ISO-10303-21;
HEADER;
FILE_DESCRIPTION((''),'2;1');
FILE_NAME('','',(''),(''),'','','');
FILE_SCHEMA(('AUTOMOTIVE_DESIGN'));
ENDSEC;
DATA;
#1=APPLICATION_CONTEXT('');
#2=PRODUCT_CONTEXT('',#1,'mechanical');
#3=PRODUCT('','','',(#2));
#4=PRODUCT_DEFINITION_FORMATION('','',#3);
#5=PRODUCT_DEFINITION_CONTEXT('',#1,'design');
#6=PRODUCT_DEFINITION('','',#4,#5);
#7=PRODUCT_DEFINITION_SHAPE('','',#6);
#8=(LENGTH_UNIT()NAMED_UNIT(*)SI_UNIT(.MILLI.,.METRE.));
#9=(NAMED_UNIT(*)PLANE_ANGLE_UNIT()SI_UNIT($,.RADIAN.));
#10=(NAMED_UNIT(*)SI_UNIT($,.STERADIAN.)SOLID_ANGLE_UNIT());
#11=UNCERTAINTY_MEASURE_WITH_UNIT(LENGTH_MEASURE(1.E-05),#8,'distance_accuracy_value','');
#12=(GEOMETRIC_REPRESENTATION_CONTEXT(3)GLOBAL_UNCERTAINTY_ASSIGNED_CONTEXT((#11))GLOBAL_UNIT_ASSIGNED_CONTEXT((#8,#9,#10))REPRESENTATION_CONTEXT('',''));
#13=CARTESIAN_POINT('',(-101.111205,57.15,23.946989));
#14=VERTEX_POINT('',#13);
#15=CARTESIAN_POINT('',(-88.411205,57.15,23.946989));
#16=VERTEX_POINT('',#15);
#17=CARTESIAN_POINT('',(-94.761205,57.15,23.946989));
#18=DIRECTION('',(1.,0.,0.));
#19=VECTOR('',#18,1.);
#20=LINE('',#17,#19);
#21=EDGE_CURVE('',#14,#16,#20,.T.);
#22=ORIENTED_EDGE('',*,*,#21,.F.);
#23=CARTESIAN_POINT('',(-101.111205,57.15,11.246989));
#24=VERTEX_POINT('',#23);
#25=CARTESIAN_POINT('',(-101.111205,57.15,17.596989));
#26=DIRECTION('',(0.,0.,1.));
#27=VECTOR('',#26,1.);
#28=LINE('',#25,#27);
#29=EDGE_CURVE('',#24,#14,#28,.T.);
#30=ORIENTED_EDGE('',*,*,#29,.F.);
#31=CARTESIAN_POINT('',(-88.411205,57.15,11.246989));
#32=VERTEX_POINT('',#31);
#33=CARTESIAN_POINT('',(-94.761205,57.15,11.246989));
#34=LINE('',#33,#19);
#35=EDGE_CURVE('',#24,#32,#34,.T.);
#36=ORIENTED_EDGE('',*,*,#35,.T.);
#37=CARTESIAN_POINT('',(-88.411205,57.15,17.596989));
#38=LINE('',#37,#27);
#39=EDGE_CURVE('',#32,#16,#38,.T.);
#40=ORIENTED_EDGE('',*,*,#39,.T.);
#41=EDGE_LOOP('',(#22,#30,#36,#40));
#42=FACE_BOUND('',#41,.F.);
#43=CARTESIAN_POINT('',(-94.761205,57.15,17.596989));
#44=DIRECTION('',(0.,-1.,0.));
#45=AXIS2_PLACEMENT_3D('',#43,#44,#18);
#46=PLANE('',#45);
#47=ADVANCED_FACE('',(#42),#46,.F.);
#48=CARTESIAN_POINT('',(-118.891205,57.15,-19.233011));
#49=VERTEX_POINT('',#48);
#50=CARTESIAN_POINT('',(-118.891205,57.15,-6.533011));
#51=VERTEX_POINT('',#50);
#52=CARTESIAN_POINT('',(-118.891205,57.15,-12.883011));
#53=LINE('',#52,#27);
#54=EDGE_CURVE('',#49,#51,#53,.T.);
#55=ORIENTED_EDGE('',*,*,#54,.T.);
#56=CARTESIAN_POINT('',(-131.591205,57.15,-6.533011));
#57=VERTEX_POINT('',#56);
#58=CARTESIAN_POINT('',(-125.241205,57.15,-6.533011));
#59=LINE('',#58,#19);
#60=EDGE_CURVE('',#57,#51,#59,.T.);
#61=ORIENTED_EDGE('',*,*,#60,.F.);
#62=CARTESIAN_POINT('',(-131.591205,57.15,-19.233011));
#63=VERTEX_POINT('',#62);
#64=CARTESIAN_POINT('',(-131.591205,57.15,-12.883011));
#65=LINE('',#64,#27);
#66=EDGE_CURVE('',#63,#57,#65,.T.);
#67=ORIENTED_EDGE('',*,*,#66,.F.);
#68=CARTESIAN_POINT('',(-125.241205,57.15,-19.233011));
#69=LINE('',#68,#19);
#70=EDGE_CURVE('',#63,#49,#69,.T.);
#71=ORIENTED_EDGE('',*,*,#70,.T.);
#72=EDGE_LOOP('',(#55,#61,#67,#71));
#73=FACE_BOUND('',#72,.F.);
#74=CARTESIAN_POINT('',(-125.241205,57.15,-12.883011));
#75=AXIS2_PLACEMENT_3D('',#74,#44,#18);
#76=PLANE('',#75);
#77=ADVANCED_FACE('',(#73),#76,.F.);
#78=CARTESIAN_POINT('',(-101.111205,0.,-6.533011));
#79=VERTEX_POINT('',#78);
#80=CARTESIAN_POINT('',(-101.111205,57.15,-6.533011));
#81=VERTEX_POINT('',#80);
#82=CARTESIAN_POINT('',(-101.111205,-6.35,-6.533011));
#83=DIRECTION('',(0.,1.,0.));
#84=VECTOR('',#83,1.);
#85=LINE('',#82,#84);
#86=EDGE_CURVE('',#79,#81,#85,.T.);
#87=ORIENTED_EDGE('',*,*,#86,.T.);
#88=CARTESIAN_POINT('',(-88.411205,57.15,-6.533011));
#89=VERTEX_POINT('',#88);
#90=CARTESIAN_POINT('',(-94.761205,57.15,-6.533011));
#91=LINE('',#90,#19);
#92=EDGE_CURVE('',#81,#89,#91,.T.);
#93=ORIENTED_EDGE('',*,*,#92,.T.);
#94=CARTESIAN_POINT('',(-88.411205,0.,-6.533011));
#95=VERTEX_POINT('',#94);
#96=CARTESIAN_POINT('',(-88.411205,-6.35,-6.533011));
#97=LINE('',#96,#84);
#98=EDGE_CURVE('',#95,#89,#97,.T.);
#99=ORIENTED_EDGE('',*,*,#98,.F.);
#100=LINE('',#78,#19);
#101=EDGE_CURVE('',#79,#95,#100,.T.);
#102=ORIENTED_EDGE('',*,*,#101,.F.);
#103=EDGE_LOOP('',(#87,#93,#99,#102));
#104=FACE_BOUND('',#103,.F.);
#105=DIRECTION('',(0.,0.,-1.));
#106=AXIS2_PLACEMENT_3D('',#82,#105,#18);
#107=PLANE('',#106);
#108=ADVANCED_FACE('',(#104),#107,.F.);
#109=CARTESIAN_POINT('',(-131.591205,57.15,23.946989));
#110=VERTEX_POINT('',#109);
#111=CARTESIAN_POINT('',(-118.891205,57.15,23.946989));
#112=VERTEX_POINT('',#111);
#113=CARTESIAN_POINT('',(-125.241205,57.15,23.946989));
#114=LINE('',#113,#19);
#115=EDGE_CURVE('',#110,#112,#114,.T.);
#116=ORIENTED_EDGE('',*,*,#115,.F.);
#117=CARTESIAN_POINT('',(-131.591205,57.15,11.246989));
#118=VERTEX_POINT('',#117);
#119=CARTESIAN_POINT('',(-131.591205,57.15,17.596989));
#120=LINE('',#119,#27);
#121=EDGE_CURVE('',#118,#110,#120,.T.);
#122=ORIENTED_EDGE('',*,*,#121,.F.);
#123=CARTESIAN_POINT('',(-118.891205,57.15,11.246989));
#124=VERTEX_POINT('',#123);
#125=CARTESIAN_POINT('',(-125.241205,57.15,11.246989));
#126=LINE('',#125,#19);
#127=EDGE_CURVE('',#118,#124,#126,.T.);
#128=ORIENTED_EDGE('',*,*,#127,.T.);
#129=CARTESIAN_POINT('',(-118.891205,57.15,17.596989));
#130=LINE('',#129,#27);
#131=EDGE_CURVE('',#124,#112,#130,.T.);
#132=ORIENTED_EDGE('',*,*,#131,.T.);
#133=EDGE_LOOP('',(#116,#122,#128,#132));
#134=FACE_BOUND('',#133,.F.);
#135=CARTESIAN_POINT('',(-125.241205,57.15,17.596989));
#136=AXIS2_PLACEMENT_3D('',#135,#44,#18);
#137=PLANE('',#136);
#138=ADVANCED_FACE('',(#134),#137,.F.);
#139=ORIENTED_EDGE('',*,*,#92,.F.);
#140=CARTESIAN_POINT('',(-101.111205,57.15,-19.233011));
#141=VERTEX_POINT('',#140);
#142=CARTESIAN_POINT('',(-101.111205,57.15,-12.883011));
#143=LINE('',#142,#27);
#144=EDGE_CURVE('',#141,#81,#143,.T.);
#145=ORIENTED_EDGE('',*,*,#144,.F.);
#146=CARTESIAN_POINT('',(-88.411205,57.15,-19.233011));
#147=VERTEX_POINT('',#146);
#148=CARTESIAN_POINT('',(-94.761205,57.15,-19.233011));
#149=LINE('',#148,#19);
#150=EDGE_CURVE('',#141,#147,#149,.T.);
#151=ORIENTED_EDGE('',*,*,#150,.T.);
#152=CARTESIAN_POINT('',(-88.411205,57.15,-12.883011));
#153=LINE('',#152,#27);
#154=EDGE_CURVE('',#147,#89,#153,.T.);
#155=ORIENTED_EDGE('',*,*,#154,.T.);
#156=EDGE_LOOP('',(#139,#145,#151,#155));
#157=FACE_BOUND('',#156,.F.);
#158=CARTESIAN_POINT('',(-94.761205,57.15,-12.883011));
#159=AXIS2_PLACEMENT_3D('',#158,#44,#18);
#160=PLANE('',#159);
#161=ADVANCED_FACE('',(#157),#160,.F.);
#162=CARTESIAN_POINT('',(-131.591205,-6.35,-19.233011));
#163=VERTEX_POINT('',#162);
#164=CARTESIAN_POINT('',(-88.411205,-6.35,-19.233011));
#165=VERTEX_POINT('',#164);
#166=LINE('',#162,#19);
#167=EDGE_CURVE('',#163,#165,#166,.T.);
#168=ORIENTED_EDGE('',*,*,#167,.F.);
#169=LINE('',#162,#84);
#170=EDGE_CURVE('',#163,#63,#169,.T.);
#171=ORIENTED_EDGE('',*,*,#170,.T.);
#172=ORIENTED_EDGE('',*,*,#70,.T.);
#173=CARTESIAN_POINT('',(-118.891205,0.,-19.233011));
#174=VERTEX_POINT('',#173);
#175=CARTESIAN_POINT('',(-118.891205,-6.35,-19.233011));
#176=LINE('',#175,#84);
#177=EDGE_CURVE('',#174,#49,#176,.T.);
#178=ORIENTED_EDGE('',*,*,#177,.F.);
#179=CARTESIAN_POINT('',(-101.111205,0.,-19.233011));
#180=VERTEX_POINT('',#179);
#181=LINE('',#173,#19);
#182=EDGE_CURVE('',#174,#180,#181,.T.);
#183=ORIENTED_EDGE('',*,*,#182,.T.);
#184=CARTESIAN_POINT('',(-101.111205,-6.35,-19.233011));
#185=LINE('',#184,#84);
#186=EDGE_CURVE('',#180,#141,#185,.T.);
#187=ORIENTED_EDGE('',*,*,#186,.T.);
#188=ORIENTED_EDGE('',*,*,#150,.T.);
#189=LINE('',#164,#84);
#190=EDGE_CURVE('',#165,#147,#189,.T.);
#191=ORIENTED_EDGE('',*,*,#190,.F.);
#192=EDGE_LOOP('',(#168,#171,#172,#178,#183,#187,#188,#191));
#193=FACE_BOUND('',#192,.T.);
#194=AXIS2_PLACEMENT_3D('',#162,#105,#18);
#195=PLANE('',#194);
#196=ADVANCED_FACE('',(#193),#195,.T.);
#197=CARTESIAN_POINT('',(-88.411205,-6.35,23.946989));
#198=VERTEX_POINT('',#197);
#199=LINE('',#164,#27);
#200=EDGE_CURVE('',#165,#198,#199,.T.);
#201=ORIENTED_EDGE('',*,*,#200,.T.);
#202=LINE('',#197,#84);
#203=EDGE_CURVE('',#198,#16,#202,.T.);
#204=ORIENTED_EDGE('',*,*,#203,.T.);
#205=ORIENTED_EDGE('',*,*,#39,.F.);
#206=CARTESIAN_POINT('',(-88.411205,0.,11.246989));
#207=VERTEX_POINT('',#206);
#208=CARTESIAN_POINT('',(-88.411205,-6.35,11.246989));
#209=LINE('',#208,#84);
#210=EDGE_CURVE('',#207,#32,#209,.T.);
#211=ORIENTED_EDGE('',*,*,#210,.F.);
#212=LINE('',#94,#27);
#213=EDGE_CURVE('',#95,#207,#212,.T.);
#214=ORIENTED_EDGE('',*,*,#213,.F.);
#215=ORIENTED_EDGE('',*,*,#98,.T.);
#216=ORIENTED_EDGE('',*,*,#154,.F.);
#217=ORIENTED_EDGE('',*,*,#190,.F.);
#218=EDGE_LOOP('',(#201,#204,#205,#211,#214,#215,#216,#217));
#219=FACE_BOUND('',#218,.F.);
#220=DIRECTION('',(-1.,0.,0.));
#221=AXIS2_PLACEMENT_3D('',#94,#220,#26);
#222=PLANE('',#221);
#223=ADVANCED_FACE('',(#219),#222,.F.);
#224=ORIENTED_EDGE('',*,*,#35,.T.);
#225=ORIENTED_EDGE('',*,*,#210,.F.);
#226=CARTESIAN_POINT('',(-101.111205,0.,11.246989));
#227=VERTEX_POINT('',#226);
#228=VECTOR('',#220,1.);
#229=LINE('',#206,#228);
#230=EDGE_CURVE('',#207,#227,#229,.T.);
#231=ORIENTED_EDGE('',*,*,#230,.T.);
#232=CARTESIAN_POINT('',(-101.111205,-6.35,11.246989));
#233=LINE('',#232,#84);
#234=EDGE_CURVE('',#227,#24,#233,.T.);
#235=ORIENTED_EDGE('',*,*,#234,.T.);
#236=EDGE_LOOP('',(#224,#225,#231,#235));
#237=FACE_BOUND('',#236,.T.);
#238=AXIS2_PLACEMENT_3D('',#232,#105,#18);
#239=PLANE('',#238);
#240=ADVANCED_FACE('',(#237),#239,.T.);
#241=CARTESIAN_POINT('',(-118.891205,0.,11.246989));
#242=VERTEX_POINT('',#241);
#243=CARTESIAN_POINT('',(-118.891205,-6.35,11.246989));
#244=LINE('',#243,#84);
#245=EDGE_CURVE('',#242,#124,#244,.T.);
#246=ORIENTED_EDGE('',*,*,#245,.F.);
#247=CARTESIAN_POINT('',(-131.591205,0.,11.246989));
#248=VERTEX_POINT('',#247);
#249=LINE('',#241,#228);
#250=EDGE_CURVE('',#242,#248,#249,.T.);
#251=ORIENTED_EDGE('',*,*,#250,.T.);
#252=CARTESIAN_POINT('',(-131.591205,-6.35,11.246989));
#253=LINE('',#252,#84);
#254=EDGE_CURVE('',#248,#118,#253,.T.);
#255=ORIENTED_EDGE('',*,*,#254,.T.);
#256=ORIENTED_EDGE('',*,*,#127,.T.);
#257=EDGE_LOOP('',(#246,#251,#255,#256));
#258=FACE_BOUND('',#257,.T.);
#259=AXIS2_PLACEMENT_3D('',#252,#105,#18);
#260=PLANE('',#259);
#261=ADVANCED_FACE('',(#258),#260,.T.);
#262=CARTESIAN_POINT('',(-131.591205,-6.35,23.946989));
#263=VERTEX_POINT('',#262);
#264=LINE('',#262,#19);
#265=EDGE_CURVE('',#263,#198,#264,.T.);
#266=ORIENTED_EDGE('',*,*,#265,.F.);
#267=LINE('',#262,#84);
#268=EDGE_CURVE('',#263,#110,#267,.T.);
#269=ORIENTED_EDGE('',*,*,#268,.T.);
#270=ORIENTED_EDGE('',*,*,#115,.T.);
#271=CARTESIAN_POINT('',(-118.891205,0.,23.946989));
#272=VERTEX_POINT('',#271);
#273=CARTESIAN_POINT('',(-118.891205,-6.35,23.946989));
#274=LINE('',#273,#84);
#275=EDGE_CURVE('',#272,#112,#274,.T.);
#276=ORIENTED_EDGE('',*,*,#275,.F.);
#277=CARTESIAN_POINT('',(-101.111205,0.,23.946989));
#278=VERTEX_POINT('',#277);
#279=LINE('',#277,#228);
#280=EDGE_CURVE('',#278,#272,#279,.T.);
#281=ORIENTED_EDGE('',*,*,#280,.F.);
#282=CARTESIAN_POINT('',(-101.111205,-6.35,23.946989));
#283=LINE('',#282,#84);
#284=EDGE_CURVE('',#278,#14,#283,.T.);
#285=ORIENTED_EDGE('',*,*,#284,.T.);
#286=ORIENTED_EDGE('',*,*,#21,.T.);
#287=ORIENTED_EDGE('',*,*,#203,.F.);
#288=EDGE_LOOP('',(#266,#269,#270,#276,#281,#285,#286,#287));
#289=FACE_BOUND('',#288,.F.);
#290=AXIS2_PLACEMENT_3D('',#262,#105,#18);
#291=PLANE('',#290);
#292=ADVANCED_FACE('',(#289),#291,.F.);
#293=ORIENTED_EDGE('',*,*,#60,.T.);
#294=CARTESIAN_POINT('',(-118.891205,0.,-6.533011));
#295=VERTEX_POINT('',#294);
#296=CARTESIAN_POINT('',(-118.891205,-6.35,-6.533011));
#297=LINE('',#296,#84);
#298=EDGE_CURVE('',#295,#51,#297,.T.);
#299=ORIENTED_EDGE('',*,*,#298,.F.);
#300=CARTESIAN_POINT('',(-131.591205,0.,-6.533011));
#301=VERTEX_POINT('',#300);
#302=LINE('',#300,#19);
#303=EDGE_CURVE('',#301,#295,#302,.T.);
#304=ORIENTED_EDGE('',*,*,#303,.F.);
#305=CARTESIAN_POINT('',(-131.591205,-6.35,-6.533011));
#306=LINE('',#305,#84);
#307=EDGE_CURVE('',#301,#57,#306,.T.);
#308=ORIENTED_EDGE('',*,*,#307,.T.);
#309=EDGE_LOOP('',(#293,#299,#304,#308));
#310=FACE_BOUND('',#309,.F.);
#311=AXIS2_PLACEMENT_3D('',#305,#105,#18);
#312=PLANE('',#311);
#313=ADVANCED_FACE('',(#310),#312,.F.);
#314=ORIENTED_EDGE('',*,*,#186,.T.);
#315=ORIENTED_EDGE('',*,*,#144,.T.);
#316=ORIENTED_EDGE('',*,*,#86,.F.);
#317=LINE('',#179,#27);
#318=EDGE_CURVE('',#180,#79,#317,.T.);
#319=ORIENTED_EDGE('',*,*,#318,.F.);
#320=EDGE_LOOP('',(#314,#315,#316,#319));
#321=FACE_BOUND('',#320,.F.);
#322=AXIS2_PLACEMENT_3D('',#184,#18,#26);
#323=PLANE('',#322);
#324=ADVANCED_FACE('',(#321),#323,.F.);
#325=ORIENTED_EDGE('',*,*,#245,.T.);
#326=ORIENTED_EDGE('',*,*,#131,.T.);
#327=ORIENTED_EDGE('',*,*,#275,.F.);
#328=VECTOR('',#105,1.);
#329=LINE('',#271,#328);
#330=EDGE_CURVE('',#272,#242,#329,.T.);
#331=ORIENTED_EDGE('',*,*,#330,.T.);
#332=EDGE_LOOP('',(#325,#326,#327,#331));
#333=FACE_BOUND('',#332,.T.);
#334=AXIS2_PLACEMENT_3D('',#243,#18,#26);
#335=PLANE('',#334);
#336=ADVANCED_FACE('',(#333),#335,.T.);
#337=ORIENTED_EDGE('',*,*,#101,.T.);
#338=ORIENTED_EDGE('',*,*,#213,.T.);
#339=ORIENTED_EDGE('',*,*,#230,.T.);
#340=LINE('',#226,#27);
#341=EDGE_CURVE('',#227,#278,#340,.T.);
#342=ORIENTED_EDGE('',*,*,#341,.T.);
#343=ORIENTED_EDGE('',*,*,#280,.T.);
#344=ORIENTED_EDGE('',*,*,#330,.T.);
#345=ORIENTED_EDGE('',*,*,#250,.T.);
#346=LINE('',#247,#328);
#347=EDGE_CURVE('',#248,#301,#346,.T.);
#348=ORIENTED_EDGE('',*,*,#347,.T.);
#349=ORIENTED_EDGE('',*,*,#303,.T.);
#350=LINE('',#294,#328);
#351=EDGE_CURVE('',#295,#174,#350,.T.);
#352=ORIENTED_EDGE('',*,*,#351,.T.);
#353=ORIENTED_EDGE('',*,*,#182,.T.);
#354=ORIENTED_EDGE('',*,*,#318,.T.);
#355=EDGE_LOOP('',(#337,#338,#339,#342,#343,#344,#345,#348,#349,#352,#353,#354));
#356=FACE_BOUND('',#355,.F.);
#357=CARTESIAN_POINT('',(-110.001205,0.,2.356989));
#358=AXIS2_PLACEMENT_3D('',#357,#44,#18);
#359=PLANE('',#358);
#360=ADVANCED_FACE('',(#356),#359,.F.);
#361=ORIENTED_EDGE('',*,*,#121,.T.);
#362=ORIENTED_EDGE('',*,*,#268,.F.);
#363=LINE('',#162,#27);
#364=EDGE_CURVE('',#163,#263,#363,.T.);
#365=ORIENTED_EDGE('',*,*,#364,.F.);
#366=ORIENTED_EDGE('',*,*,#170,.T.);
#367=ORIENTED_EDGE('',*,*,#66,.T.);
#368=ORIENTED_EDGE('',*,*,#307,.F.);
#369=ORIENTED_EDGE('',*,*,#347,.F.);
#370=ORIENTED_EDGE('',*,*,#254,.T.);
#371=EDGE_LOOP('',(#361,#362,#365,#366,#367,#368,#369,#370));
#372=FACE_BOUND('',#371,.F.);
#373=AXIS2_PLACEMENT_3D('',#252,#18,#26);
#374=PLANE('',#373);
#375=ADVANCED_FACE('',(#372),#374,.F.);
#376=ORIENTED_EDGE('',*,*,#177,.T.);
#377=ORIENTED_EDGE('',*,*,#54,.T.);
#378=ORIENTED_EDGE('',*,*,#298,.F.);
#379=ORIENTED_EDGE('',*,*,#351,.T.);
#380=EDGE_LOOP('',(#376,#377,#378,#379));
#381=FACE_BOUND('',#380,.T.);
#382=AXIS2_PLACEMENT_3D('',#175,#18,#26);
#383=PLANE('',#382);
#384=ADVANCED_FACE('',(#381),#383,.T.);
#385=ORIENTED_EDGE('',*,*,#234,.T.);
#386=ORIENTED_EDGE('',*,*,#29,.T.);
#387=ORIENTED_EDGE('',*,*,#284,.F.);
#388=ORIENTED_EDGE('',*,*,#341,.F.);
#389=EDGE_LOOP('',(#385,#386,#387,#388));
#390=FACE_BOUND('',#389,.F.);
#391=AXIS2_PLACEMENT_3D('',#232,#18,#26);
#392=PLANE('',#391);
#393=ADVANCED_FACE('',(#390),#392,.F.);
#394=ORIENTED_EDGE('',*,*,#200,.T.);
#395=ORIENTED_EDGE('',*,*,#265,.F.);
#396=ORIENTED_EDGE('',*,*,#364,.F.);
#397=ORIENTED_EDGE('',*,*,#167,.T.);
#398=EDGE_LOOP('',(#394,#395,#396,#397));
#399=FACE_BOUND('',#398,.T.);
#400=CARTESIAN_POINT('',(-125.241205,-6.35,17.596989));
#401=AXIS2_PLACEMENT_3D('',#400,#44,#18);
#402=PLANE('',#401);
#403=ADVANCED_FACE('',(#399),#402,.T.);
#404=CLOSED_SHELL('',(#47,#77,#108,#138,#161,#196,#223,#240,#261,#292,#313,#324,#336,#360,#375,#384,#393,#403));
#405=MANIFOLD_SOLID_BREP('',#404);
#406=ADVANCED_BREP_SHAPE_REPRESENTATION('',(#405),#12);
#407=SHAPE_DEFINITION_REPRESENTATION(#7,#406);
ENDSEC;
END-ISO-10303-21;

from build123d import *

# Parameters (mm, degrees)
F1_DEPTH = 6.35
F2_W     = 12.7
F2_H     = 12.7
F3_DEPTH = 63.5


with BuildPart() as f1:
    # F0 (on Front) → F1 (new body)
    with BuildSketch(Plane.XZ):
        Polygon((-110.001205, 23.946989), (-118.891205, 23.946989), (-118.891205, 11.246989), (-131.591205, 11.246989), (-131.591205, -6.533011), (-118.891205, -6.533011), (-118.891205, -19.233011), (-110.001205, -19.233011), (-101.111205, -19.233011), (-101.111205, -6.533011), (-88.411205, -6.533011), (-88.411205, 11.246989), (-101.111205, 11.246989), (-101.111205, 23.946989), align=None)
    extrude(amount=F1_DEPTH)

    # F2 (on face) → F3 (join)
    with BuildSketch(Plane.XZ.offset(6.35)):
        with Locations((-125.241205, 17.596989)):
            Rectangle(F2_W, F2_H)
        with Locations((-94.761205, 17.596989)):
            Rectangle(F2_W, F2_H)
        with Locations((-94.761205, -12.883011)):
            Rectangle(F2_W, F2_H)
        with Locations((-125.241205, -12.883011)):
            Rectangle(F2_W, F2_H)
    extrude(amount=-F3_DEPTH)


solid = f1.part
